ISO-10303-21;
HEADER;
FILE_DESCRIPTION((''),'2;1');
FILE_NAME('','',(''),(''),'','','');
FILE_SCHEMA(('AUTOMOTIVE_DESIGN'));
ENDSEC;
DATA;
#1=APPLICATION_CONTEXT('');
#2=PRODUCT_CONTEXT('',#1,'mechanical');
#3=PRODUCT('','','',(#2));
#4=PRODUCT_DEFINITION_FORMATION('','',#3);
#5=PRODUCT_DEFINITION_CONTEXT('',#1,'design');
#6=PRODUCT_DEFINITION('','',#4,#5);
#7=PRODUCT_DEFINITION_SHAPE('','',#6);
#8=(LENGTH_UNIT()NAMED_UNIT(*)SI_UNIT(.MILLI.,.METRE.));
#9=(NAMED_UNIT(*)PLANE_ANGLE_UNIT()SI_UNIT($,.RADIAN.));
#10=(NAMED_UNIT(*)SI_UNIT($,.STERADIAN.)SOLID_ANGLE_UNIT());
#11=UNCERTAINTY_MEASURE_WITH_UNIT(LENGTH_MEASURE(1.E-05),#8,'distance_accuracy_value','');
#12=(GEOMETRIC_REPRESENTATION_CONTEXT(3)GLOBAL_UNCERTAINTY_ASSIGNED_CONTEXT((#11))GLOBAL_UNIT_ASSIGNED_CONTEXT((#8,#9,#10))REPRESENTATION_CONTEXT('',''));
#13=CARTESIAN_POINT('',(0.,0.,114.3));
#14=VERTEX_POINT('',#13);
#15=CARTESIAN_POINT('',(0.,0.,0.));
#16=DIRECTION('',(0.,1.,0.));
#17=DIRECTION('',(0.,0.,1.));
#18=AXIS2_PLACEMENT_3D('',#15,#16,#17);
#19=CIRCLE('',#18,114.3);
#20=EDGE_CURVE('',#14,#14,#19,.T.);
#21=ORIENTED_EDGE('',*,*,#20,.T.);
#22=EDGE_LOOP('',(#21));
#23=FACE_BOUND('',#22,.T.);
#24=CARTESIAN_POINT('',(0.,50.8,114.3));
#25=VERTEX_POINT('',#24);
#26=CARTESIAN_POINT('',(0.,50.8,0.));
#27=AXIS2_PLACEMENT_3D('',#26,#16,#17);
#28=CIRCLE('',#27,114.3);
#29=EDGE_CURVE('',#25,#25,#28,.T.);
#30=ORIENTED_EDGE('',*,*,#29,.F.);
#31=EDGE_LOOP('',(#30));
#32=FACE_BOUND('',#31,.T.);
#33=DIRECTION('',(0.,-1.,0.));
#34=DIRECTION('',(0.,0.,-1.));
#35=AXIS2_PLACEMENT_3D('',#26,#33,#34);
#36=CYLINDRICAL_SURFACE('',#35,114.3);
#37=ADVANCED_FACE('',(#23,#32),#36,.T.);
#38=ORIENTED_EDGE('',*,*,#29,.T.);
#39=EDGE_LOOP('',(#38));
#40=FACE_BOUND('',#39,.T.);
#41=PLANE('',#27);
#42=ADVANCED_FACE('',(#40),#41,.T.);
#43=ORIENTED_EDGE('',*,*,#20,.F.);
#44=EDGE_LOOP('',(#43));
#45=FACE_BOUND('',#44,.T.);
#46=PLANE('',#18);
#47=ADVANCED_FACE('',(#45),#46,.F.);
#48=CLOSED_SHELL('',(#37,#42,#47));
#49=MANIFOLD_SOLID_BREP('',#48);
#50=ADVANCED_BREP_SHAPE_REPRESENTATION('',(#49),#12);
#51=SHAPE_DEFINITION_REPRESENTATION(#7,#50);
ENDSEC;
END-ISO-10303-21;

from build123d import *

# Parameters (mm, degrees)
SKETCH1_R           = 114.3
BOSS_EXTRUDE1_DEPTH = 50.8


with BuildPart() as part:
    # Sketch1 → Boss-Extrude1 (new body)
    with BuildSketch(Plane(origin=(0, 0, 0), x_dir=(1, 0, 0), z_dir=(0, 1, 0))):
        Circle(SKETCH1_R)
    extrude(amount=BOSS_EXTRUDE1_DEPTH)


solid = part.part
